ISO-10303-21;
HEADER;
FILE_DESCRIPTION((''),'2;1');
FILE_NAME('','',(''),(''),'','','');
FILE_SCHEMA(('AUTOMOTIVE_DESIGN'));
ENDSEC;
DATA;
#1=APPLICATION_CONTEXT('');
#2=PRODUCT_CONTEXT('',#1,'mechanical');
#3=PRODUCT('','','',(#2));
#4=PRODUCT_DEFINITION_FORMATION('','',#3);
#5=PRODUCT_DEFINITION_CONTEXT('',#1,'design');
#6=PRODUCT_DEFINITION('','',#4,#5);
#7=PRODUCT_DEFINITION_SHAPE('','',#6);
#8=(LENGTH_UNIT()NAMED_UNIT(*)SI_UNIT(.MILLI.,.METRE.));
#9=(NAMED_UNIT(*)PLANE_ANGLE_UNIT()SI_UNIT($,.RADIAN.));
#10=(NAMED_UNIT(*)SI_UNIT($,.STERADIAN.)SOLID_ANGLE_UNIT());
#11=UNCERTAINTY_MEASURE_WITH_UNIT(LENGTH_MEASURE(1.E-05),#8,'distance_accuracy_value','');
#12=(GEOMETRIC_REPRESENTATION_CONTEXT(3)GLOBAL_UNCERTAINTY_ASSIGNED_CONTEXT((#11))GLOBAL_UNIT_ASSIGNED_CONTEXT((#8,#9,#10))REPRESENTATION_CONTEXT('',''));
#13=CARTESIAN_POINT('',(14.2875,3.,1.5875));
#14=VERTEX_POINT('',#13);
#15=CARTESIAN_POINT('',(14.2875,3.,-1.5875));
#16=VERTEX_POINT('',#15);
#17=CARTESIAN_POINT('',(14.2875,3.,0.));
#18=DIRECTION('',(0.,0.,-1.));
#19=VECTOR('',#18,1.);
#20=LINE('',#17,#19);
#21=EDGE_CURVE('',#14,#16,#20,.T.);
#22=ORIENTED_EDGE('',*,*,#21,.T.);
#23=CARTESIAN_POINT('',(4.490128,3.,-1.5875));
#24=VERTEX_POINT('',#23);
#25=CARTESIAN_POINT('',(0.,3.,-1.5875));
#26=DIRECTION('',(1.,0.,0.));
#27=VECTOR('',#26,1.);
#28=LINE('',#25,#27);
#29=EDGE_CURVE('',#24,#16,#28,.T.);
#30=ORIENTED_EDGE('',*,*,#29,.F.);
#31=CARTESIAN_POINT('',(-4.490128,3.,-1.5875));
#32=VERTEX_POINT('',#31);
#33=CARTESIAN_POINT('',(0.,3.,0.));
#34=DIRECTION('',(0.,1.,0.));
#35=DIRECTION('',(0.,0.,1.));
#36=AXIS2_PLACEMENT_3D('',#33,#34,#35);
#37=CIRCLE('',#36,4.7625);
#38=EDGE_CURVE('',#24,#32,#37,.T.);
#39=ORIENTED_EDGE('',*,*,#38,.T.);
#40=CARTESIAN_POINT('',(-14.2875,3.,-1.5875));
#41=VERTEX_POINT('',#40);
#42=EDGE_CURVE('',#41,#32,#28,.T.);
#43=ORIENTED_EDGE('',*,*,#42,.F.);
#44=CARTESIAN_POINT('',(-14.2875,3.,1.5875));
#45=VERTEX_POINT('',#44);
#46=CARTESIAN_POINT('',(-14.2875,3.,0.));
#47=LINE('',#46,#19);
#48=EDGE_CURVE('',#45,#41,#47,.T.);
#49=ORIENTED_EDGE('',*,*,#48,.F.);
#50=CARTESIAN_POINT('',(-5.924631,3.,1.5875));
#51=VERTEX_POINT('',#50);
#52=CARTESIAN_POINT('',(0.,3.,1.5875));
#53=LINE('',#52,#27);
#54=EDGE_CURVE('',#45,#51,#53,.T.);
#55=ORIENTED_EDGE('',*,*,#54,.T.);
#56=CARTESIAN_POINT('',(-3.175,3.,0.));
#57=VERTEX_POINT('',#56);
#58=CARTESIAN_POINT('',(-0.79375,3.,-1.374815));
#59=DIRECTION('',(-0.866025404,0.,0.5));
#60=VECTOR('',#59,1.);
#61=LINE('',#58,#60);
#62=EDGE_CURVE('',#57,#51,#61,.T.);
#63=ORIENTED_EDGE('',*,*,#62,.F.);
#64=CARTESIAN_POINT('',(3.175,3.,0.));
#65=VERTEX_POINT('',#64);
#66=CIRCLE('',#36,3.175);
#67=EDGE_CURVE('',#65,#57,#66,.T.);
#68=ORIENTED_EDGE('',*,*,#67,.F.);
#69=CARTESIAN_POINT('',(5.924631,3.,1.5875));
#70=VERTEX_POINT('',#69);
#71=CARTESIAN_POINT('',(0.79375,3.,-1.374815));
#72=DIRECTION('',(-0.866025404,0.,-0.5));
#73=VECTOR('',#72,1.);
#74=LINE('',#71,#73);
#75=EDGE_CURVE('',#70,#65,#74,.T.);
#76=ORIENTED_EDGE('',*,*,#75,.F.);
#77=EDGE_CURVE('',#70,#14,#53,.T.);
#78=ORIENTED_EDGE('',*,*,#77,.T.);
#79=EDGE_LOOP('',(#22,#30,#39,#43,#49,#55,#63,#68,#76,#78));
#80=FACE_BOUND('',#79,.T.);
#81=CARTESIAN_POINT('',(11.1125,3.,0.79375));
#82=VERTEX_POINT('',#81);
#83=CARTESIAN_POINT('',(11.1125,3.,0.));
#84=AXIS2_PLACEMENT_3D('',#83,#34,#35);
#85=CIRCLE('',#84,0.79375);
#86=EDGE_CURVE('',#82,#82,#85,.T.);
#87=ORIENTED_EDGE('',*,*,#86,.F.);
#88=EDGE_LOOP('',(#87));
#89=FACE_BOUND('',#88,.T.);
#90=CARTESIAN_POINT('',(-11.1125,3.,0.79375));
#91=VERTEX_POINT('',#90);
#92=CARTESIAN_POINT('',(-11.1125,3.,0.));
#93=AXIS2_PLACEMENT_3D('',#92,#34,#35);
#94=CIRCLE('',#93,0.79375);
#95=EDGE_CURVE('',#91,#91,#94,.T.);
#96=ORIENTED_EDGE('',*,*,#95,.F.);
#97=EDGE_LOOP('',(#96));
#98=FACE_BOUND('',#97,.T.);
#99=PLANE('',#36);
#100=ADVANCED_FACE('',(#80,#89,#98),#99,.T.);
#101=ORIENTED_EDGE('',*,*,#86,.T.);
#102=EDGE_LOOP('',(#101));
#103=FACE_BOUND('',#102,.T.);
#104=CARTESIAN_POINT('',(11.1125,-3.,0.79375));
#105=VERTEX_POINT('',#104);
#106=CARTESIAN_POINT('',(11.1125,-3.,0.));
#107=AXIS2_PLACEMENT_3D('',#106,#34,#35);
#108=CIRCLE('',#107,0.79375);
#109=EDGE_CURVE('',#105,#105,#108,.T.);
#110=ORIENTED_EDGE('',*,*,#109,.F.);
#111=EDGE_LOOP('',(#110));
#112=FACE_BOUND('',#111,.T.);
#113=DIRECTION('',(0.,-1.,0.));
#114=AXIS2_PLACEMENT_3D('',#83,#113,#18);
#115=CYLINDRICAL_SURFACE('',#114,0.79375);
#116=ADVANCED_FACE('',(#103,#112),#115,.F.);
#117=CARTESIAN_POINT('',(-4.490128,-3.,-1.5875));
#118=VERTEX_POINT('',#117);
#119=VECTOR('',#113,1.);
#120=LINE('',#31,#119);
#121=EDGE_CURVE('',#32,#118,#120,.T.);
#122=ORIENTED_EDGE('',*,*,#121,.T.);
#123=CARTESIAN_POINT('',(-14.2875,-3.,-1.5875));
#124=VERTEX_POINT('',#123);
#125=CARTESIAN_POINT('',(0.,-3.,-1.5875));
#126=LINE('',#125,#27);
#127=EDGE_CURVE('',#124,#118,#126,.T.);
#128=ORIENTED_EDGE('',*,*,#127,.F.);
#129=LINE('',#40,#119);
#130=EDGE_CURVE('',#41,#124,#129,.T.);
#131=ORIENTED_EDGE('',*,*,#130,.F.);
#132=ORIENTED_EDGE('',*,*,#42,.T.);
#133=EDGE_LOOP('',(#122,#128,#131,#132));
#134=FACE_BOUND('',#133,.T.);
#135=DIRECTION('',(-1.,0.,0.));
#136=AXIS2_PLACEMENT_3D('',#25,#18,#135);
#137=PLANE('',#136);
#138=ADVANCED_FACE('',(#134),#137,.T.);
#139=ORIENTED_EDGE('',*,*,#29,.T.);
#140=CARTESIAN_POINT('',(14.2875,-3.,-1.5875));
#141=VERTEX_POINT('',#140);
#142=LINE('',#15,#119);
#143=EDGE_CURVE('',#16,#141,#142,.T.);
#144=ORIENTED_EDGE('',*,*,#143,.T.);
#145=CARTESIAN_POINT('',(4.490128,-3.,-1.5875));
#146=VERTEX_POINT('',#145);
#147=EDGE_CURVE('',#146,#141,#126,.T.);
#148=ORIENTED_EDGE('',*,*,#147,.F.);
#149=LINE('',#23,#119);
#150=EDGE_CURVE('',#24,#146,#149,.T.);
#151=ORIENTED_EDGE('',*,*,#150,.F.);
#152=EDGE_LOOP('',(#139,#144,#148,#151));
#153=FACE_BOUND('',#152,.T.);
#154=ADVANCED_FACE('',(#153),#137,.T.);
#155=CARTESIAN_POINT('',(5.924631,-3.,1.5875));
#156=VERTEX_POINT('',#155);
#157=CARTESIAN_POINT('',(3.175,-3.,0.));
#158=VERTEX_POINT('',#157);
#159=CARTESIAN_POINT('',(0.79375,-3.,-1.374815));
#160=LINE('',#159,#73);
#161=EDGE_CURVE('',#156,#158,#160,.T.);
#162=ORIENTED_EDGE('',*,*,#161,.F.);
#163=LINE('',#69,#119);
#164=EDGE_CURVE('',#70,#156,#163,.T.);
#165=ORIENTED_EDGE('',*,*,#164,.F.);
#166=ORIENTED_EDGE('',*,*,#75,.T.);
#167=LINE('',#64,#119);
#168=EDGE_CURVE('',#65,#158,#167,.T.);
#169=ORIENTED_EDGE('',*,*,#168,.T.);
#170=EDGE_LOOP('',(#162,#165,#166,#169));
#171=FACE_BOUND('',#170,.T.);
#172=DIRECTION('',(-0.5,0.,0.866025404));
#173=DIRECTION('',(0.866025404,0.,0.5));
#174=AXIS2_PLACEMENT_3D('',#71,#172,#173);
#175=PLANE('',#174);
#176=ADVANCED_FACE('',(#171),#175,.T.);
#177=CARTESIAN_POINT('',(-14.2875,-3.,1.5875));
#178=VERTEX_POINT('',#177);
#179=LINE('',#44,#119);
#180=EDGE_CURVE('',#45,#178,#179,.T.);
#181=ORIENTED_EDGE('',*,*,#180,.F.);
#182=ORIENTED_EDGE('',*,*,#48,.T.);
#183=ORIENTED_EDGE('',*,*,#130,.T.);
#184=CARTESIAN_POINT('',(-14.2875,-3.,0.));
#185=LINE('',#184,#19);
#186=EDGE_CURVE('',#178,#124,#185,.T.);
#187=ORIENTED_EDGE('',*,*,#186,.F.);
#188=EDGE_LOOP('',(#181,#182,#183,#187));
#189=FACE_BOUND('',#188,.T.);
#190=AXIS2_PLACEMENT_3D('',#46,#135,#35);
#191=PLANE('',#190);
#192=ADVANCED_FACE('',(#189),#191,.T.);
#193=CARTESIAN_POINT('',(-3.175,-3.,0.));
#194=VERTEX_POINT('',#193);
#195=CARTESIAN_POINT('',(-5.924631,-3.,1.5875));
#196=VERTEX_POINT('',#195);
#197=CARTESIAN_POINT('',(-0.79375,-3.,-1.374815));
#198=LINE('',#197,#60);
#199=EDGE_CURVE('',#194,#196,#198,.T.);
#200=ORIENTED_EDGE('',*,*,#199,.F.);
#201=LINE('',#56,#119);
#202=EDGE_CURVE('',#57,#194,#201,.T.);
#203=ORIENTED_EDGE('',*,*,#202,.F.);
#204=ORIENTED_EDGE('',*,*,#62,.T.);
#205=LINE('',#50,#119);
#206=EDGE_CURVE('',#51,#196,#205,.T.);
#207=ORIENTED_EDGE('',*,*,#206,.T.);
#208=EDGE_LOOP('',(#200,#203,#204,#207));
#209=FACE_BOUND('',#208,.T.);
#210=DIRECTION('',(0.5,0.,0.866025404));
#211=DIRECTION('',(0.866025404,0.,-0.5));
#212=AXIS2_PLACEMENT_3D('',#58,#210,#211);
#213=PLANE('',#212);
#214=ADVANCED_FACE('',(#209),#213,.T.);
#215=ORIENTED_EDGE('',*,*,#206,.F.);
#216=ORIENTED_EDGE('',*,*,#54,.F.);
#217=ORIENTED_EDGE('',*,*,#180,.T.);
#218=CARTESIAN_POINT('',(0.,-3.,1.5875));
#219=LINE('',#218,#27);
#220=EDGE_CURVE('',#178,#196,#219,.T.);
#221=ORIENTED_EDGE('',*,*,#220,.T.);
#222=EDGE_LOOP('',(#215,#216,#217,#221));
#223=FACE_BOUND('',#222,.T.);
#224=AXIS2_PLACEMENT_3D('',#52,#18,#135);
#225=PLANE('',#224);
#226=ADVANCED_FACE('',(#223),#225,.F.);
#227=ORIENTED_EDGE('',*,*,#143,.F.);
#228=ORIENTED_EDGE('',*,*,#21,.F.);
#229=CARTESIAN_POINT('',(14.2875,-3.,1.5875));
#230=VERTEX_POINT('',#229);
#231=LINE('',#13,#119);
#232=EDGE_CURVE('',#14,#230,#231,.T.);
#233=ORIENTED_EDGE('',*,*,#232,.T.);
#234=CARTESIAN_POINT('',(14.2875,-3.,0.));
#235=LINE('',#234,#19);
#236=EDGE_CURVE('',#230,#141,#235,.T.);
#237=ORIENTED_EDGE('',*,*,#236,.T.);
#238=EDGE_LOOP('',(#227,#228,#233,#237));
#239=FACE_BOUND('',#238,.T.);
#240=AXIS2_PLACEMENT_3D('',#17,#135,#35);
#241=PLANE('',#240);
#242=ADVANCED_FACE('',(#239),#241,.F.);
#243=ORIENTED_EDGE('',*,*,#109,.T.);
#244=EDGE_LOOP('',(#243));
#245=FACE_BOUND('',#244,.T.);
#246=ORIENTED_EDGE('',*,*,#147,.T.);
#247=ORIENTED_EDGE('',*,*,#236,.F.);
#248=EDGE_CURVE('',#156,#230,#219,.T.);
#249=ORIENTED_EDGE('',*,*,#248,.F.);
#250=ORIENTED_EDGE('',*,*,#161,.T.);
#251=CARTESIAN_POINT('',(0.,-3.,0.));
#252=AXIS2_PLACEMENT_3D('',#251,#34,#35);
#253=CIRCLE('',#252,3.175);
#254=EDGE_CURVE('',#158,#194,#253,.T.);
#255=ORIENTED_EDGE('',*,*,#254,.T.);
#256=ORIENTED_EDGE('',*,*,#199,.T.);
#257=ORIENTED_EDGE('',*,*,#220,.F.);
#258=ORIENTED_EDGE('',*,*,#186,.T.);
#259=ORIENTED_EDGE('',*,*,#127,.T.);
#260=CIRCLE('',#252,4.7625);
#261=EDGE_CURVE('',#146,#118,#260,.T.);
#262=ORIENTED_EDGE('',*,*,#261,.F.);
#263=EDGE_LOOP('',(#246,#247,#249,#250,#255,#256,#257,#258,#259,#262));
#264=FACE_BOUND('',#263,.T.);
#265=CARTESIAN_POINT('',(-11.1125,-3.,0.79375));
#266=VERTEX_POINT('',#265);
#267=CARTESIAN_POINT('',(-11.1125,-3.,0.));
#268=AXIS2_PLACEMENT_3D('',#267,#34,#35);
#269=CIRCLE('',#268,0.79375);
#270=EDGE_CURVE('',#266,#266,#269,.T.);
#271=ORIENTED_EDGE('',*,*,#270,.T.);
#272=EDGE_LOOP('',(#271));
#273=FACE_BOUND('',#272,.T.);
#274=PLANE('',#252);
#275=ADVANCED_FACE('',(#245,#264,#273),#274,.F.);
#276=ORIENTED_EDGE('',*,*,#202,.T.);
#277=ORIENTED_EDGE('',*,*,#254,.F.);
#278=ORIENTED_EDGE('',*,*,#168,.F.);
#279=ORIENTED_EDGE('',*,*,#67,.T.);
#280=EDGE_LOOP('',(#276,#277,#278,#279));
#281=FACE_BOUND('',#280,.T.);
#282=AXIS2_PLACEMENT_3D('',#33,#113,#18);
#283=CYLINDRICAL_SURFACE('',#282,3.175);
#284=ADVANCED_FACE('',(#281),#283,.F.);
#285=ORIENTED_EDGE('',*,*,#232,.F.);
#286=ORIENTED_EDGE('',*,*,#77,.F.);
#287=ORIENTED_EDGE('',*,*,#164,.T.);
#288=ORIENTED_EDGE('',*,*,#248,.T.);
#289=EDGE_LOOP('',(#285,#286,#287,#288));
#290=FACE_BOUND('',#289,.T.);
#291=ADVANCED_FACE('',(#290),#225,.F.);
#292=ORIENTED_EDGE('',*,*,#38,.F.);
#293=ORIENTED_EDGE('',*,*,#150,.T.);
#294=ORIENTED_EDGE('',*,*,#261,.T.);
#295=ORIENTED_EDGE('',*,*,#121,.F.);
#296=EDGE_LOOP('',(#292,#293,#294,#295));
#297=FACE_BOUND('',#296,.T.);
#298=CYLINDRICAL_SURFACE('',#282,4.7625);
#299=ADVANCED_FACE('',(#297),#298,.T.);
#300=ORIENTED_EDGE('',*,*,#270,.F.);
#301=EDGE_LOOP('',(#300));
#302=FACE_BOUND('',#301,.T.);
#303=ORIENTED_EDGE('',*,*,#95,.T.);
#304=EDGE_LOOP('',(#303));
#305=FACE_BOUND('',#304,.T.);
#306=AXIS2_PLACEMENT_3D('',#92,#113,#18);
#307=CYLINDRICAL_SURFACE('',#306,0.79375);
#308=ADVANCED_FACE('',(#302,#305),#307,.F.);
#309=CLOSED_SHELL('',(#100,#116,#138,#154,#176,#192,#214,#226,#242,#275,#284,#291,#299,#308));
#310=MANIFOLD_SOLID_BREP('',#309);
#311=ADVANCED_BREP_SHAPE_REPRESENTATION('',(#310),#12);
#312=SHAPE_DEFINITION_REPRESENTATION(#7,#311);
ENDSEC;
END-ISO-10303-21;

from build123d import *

# Parameters (mm, degrees)
SKETCH1_R           = 0.79375
BOSS_EXTRUDE1_DEPTH = 3


with BuildPart() as part:
    # Sketch1 → Boss-Extrude1 (new body, symmetric)
    with BuildSketch(Plane(origin=(0, 0, 0), x_dir=(1, 0, 0), z_dir=(0, 1, 0))):
        with BuildLine():
            ThreePointArc((-4.682314967, -0.870248702), (-4.742411374, -0.436967517), (-4.7625, 0))
            ThreePointArc((-4.7625, 0), (-4.69391314, 0.805348174), (-4.490128061, 1.5875))
            Line((-4.490128061, 1.5875), (-14.2875, 1.5875))
            Line((-14.2875, 1.5875), (-14.2875, -1.5875))
            Line((-14.2875, -1.5875), (-5.924630657, -1.5875))
            Line((-5.924630657, -1.5875), (-4.682314967, -0.870248702))
        make_face()
        with Locations((-11.1125, 0)):
            Circle(SKETCH1_R, mode=Mode.SUBTRACT)
        with BuildLine():
            Line((-4.7625, 0), (-3.175, 0))
            ThreePointArc((-3.175, 0), (-3.066814498, 0.821750468), (-2.749630657, 1.5875))
            Line((-2.749630657, 1.5875), (-4.490128061, 1.5875))
            ThreePointArc((-4.490128061, 1.5875), (-4.69391314, 0.805348174), (-4.7625, 0))
        make_face()
        with BuildLine():
            ThreePointArc((-2.749630657, 1.5875), (0, 3.175), (2.749630657, 1.5875))
            Line((2.749630657, 1.5875), (4.490128061, 1.5875))
            ThreePointArc((4.490128061, 1.5875), (0, 4.7625), (-4.490128061, 1.5875))
            Line((-4.490128061, 1.5875), (-2.749630657, 1.5875))
        make_face()
        with BuildLine():
            ThreePointArc((2.749630657, 1.5875), (3.066814498, 0.821750468), (3.175, 0))
            Line((3.175, 0), (4.7625, 0))
            ThreePointArc((4.7625, 0), (4.69391314, 0.805348174), (4.490128061, 1.5875))
            Line((4.490128061, 1.5875), (2.749630657, 1.5875))
        make_face()
        with BuildLine():
            ThreePointArc((4.490128061, 1.5875), (4.69391314, 0.805348174), (4.7625, 0))
            ThreePointArc((4.7625, 0), (4.742411374, -0.436967517), (4.682314967, -0.870248702))
            Line((4.682314967, -0.870248702), (5.924630657, -1.5875))
            Line((5.924630657, -1.5875), (14.2875, -1.5875))
            Line((14.2875, -1.5875), (14.2875, 1.5875))
            Line((14.2875, 1.5875), (4.490128061, 1.5875))
        make_face()
        with Locations((11.1125, 0)):
            Circle(SKETCH1_R, mode=Mode.SUBTRACT)
        with BuildLine():
            Line((-4.682314967, -0.870248702), (-3.175, 0))
            Line((-3.175, 0), (-4.7625, 0))
            ThreePointArc((-4.7625, 0), (-4.742411374, -0.436967517), (-4.682314967, -0.870248702))
        make_face()
        with BuildLine():
            Line((4.7625, 0), (3.175, 0))
            Line((3.175, 0), (4.682314967, -0.870248702))
            ThreePointArc((4.682314967, -0.870248702), (4.742411374, -0.436967517), (4.7625, 0))
        make_face()
    extrude(amount=BOSS_EXTRUDE1_DEPTH, both=True)


solid = part.part
